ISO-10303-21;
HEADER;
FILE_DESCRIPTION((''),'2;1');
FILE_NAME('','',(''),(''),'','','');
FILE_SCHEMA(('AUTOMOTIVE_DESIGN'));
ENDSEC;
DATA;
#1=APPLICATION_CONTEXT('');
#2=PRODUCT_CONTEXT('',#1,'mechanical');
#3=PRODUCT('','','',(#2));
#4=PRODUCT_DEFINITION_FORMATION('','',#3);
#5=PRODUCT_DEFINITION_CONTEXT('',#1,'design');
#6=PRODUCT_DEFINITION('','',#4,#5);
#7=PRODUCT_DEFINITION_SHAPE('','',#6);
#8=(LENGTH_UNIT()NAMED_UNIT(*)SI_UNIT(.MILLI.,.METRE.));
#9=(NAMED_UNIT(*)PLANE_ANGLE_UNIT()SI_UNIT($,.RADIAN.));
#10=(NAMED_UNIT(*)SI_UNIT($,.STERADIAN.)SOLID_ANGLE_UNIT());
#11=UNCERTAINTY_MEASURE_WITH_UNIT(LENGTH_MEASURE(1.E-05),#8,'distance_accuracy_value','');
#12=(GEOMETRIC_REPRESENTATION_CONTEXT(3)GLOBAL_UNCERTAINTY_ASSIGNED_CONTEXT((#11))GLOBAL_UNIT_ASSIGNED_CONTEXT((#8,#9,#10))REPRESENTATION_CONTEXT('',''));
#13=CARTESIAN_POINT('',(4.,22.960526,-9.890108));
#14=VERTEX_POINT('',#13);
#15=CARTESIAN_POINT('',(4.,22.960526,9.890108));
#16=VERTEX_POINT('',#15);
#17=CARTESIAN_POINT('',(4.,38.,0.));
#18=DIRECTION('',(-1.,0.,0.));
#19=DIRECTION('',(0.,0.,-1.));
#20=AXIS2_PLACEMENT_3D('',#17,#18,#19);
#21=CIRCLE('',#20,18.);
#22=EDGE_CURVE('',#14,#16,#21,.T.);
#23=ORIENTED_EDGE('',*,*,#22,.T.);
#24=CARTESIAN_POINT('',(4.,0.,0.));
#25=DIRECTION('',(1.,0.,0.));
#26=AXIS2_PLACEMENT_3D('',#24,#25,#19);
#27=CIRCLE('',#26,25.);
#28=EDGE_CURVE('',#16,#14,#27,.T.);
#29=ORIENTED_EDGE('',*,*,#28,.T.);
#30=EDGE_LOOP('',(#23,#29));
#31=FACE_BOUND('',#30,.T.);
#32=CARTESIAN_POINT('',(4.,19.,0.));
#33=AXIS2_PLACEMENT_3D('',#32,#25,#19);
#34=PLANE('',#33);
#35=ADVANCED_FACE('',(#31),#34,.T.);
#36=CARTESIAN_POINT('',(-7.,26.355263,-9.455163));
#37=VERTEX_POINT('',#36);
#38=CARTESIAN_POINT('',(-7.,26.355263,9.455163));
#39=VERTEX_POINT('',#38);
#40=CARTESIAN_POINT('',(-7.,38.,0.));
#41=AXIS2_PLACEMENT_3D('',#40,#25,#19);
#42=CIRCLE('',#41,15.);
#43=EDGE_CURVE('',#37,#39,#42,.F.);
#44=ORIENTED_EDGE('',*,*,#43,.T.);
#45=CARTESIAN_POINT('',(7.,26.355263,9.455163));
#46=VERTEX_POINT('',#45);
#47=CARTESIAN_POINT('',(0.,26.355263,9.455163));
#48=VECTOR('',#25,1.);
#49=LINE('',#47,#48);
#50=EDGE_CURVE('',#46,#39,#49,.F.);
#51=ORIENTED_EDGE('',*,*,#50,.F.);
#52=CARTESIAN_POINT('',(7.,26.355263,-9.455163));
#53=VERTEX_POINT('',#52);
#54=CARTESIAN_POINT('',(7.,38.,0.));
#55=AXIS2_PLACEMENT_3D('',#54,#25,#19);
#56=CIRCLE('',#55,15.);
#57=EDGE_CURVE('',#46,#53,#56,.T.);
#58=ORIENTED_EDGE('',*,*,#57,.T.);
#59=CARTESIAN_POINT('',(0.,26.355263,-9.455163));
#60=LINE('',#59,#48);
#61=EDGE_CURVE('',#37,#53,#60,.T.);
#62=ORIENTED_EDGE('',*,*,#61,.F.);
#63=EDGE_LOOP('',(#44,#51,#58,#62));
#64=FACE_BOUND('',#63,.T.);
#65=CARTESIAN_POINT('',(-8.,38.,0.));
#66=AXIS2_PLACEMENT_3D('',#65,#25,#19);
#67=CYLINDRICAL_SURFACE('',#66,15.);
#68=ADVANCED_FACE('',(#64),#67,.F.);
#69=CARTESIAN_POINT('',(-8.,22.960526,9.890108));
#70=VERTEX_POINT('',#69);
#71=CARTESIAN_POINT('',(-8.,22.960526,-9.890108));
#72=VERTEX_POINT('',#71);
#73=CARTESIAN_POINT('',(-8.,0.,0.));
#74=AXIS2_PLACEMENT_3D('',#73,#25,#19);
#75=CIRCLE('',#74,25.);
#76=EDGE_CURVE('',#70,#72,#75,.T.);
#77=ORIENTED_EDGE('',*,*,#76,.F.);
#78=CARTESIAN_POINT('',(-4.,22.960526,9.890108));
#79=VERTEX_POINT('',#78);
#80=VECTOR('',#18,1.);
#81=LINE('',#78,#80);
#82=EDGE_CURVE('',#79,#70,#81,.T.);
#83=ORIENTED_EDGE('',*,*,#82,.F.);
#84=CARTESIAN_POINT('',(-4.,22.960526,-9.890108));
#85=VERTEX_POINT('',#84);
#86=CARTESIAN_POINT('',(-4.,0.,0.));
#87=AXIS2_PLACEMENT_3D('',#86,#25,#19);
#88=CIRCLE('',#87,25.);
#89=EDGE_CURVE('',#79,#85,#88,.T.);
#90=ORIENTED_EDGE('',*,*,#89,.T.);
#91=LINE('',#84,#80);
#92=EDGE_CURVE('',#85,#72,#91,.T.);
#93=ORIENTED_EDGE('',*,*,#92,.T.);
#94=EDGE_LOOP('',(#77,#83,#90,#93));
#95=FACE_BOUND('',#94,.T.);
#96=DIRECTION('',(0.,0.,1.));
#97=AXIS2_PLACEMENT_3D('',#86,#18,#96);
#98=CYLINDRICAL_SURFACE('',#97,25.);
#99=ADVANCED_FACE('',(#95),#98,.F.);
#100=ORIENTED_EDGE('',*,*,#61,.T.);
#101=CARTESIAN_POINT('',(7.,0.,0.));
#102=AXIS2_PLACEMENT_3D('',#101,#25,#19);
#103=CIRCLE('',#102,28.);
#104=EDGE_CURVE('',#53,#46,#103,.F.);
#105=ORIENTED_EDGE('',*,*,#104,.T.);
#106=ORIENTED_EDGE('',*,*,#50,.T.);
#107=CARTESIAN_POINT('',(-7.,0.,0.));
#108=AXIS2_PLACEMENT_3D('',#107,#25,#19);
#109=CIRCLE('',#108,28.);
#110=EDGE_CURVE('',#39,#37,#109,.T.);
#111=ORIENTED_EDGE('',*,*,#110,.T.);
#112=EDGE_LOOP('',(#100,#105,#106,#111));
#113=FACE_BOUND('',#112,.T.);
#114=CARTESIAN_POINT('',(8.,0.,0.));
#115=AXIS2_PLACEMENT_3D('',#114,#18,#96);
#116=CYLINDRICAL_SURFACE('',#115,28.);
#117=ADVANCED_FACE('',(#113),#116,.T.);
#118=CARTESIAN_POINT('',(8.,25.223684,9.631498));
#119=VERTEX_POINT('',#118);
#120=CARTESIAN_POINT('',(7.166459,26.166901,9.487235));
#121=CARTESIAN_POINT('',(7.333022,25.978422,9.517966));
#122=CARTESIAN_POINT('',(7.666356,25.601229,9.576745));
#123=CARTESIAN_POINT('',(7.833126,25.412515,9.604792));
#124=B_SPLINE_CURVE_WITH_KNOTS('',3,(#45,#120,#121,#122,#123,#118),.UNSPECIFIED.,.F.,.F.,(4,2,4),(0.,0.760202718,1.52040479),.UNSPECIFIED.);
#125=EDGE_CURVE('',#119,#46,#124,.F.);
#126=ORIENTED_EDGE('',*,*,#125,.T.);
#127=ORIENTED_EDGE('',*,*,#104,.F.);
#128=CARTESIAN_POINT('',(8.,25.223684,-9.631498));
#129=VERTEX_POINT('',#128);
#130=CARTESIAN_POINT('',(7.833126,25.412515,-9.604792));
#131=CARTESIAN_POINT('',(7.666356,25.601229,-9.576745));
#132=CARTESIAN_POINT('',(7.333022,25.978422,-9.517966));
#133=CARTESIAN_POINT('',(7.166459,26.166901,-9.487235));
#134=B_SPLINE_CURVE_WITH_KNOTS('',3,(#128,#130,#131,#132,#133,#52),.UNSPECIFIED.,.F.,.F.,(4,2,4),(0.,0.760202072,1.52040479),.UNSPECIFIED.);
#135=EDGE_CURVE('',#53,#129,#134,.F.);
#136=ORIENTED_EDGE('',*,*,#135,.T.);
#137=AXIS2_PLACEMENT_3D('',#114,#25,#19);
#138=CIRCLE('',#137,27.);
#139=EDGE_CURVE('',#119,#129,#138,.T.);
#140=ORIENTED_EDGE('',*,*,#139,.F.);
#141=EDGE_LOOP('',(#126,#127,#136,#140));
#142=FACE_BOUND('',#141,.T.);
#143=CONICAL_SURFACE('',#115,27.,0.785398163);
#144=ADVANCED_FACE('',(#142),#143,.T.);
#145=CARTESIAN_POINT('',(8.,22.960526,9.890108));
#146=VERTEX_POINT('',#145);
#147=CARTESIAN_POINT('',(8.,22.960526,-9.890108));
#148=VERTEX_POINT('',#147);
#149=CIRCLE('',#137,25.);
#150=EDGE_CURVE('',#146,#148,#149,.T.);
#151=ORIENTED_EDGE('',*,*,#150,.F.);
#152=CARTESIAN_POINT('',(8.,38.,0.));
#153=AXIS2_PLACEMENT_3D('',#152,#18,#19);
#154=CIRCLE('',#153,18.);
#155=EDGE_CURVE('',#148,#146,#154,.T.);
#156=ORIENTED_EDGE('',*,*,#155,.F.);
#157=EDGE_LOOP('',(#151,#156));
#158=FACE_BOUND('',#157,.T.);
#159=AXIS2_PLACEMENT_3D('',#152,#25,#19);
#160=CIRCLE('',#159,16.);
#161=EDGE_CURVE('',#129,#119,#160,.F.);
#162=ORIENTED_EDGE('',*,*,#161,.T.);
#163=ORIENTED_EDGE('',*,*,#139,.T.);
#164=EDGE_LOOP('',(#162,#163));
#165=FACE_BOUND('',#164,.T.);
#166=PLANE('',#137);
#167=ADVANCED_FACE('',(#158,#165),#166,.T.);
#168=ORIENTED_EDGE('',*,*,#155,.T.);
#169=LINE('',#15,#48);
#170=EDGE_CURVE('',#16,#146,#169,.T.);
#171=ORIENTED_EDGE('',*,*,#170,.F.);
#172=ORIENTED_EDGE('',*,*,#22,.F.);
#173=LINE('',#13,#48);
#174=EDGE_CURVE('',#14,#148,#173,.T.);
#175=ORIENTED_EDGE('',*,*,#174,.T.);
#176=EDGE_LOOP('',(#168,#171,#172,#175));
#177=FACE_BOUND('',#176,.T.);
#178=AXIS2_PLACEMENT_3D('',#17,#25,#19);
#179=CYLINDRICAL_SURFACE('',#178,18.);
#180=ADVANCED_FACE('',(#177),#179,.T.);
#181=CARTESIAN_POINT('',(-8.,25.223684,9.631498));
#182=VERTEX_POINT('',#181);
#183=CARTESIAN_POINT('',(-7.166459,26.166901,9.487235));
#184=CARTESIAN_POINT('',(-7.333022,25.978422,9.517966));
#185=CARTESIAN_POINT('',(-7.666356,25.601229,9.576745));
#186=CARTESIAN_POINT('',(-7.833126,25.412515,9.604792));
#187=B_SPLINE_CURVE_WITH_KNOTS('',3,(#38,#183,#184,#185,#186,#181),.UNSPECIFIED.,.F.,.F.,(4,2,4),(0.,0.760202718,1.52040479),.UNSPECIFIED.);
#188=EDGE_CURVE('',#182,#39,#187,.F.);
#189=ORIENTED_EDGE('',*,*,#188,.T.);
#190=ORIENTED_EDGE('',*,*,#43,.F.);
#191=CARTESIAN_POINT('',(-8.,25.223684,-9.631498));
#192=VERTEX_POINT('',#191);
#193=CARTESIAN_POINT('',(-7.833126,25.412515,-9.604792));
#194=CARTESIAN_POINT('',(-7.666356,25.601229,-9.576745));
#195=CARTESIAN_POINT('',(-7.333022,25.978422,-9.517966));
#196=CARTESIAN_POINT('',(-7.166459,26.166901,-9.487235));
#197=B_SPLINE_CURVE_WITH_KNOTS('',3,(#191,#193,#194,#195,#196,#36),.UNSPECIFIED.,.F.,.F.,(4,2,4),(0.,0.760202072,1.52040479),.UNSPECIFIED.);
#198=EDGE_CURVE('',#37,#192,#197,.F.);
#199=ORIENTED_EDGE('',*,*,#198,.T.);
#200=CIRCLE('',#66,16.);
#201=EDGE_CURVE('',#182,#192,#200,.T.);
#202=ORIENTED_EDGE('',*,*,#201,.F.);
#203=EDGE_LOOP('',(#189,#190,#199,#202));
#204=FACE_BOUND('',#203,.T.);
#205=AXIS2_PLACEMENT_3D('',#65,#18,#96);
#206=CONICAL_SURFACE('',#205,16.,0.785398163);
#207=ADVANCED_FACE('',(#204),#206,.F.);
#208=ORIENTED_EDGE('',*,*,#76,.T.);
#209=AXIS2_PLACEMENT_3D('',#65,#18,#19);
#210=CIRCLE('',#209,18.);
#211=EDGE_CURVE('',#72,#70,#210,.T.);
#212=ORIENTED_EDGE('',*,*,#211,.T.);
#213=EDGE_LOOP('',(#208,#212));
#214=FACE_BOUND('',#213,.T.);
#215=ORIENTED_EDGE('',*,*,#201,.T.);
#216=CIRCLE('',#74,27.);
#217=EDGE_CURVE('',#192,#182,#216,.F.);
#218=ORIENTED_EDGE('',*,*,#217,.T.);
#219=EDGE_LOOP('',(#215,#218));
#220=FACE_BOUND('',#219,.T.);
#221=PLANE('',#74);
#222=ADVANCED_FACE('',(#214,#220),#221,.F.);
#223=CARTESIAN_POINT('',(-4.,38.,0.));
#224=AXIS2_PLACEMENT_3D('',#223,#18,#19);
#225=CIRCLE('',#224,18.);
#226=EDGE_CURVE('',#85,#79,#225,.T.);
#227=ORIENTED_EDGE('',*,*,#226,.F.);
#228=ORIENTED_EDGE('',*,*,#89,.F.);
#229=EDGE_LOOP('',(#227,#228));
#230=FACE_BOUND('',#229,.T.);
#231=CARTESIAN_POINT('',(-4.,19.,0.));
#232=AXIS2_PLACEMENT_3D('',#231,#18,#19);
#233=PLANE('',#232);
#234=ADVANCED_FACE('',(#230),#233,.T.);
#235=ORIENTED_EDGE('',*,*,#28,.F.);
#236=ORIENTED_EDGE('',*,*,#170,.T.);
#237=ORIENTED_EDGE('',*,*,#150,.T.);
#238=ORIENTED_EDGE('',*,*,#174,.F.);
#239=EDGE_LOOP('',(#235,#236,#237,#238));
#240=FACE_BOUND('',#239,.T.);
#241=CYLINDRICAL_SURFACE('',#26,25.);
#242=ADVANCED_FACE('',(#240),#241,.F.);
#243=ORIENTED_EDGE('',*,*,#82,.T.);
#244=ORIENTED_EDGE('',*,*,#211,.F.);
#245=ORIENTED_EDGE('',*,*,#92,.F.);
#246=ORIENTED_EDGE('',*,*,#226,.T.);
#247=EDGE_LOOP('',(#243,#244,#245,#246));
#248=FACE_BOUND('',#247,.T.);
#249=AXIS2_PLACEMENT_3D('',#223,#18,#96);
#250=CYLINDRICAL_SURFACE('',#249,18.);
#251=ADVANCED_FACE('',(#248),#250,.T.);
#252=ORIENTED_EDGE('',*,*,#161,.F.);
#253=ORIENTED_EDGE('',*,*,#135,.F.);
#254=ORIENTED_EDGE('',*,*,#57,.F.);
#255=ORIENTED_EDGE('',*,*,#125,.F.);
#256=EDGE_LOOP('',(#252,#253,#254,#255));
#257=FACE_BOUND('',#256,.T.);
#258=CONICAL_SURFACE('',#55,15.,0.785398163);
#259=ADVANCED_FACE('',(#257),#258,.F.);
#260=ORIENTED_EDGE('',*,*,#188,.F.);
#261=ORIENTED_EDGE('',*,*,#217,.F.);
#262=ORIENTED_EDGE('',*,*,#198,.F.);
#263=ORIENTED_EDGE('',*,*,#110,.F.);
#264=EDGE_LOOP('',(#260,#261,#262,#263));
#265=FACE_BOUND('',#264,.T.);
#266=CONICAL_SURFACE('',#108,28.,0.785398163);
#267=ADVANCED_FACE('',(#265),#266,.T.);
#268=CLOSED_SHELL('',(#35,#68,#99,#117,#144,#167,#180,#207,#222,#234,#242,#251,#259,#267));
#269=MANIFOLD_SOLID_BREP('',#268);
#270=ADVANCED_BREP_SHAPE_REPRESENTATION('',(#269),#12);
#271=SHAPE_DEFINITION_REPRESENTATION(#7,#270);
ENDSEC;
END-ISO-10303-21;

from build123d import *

# Parameters (mm, degrees)
SKETCH1_R           = 28
BOSS_EXTRUDE1_DEPTH = 8
SKETCH2_R           = 15
CUT_EXTRUDE1_DEPTH  = 43.708313008
CHAMFER1_SIZE       = 1
CUT_EXTRUDE2_DEPTH  = 4


with BuildPart() as part:
    # Sketch1 → Boss-Extrude1 (new, symmetric)
    with BuildSketch(Plane(origin=(0, 0, 0), x_dir=(0, 0, -1), z_dir=(1, 0, 0))):
        Circle(SKETCH1_R)
    extrude(amount=BOSS_EXTRUDE1_DEPTH, both=True)

    # Sketch2 → Cut-Extrude1 (cut, through all)
    with BuildSketch(Plane(origin=(8, 0, 0), x_dir=(0, 0, -1), z_dir=(1, 0, 0))):
        with Locations((0, 38)):
            Circle(SKETCH2_R)
    extrude(amount=-CUT_EXTRUDE1_DEPTH, mode=Mode.SUBTRACT)

    # Chamfer1
    chamfer1_edges = [part.edges().sort_by_distance(p)[0] for p in [
        (-8, -28, 0),
        (8, -28, 0),
        (8, 23, 0),
        (-8, 23, 0),
    ]]
    chamfer(chamfer1_edges, length=CHAMFER1_SIZE)

    # Sketch3 → Cut-Extrude2 (cut)
    with BuildSketch(Plane(origin=(8, 0, 0), x_dir=(0, 0, -1), z_dir=(1, 0, 0))):
        with BuildLine():
            ThreePointArc((-9.89010775, 22.960526316), (0, -25), (9.89010775, 22.960526316))
            ThreePointArc((9.89010775, 22.960526316), (0, 20), (-9.89010775, 22.960526316))
        make_face()
    cut_extrude2 = extrude(amount=-CUT_EXTRUDE2_DEPTH, mode=Mode.SUBTRACT)

    # Mirror1: Cut-Extrude2 across plane
    add(cut_extrude2.mirror(Plane(origin=(0, 0, 0), x_dir=(0, 0, 1), z_dir=(1, 0, 0))), mode=Mode.SUBTRACT)


solid = part.part
